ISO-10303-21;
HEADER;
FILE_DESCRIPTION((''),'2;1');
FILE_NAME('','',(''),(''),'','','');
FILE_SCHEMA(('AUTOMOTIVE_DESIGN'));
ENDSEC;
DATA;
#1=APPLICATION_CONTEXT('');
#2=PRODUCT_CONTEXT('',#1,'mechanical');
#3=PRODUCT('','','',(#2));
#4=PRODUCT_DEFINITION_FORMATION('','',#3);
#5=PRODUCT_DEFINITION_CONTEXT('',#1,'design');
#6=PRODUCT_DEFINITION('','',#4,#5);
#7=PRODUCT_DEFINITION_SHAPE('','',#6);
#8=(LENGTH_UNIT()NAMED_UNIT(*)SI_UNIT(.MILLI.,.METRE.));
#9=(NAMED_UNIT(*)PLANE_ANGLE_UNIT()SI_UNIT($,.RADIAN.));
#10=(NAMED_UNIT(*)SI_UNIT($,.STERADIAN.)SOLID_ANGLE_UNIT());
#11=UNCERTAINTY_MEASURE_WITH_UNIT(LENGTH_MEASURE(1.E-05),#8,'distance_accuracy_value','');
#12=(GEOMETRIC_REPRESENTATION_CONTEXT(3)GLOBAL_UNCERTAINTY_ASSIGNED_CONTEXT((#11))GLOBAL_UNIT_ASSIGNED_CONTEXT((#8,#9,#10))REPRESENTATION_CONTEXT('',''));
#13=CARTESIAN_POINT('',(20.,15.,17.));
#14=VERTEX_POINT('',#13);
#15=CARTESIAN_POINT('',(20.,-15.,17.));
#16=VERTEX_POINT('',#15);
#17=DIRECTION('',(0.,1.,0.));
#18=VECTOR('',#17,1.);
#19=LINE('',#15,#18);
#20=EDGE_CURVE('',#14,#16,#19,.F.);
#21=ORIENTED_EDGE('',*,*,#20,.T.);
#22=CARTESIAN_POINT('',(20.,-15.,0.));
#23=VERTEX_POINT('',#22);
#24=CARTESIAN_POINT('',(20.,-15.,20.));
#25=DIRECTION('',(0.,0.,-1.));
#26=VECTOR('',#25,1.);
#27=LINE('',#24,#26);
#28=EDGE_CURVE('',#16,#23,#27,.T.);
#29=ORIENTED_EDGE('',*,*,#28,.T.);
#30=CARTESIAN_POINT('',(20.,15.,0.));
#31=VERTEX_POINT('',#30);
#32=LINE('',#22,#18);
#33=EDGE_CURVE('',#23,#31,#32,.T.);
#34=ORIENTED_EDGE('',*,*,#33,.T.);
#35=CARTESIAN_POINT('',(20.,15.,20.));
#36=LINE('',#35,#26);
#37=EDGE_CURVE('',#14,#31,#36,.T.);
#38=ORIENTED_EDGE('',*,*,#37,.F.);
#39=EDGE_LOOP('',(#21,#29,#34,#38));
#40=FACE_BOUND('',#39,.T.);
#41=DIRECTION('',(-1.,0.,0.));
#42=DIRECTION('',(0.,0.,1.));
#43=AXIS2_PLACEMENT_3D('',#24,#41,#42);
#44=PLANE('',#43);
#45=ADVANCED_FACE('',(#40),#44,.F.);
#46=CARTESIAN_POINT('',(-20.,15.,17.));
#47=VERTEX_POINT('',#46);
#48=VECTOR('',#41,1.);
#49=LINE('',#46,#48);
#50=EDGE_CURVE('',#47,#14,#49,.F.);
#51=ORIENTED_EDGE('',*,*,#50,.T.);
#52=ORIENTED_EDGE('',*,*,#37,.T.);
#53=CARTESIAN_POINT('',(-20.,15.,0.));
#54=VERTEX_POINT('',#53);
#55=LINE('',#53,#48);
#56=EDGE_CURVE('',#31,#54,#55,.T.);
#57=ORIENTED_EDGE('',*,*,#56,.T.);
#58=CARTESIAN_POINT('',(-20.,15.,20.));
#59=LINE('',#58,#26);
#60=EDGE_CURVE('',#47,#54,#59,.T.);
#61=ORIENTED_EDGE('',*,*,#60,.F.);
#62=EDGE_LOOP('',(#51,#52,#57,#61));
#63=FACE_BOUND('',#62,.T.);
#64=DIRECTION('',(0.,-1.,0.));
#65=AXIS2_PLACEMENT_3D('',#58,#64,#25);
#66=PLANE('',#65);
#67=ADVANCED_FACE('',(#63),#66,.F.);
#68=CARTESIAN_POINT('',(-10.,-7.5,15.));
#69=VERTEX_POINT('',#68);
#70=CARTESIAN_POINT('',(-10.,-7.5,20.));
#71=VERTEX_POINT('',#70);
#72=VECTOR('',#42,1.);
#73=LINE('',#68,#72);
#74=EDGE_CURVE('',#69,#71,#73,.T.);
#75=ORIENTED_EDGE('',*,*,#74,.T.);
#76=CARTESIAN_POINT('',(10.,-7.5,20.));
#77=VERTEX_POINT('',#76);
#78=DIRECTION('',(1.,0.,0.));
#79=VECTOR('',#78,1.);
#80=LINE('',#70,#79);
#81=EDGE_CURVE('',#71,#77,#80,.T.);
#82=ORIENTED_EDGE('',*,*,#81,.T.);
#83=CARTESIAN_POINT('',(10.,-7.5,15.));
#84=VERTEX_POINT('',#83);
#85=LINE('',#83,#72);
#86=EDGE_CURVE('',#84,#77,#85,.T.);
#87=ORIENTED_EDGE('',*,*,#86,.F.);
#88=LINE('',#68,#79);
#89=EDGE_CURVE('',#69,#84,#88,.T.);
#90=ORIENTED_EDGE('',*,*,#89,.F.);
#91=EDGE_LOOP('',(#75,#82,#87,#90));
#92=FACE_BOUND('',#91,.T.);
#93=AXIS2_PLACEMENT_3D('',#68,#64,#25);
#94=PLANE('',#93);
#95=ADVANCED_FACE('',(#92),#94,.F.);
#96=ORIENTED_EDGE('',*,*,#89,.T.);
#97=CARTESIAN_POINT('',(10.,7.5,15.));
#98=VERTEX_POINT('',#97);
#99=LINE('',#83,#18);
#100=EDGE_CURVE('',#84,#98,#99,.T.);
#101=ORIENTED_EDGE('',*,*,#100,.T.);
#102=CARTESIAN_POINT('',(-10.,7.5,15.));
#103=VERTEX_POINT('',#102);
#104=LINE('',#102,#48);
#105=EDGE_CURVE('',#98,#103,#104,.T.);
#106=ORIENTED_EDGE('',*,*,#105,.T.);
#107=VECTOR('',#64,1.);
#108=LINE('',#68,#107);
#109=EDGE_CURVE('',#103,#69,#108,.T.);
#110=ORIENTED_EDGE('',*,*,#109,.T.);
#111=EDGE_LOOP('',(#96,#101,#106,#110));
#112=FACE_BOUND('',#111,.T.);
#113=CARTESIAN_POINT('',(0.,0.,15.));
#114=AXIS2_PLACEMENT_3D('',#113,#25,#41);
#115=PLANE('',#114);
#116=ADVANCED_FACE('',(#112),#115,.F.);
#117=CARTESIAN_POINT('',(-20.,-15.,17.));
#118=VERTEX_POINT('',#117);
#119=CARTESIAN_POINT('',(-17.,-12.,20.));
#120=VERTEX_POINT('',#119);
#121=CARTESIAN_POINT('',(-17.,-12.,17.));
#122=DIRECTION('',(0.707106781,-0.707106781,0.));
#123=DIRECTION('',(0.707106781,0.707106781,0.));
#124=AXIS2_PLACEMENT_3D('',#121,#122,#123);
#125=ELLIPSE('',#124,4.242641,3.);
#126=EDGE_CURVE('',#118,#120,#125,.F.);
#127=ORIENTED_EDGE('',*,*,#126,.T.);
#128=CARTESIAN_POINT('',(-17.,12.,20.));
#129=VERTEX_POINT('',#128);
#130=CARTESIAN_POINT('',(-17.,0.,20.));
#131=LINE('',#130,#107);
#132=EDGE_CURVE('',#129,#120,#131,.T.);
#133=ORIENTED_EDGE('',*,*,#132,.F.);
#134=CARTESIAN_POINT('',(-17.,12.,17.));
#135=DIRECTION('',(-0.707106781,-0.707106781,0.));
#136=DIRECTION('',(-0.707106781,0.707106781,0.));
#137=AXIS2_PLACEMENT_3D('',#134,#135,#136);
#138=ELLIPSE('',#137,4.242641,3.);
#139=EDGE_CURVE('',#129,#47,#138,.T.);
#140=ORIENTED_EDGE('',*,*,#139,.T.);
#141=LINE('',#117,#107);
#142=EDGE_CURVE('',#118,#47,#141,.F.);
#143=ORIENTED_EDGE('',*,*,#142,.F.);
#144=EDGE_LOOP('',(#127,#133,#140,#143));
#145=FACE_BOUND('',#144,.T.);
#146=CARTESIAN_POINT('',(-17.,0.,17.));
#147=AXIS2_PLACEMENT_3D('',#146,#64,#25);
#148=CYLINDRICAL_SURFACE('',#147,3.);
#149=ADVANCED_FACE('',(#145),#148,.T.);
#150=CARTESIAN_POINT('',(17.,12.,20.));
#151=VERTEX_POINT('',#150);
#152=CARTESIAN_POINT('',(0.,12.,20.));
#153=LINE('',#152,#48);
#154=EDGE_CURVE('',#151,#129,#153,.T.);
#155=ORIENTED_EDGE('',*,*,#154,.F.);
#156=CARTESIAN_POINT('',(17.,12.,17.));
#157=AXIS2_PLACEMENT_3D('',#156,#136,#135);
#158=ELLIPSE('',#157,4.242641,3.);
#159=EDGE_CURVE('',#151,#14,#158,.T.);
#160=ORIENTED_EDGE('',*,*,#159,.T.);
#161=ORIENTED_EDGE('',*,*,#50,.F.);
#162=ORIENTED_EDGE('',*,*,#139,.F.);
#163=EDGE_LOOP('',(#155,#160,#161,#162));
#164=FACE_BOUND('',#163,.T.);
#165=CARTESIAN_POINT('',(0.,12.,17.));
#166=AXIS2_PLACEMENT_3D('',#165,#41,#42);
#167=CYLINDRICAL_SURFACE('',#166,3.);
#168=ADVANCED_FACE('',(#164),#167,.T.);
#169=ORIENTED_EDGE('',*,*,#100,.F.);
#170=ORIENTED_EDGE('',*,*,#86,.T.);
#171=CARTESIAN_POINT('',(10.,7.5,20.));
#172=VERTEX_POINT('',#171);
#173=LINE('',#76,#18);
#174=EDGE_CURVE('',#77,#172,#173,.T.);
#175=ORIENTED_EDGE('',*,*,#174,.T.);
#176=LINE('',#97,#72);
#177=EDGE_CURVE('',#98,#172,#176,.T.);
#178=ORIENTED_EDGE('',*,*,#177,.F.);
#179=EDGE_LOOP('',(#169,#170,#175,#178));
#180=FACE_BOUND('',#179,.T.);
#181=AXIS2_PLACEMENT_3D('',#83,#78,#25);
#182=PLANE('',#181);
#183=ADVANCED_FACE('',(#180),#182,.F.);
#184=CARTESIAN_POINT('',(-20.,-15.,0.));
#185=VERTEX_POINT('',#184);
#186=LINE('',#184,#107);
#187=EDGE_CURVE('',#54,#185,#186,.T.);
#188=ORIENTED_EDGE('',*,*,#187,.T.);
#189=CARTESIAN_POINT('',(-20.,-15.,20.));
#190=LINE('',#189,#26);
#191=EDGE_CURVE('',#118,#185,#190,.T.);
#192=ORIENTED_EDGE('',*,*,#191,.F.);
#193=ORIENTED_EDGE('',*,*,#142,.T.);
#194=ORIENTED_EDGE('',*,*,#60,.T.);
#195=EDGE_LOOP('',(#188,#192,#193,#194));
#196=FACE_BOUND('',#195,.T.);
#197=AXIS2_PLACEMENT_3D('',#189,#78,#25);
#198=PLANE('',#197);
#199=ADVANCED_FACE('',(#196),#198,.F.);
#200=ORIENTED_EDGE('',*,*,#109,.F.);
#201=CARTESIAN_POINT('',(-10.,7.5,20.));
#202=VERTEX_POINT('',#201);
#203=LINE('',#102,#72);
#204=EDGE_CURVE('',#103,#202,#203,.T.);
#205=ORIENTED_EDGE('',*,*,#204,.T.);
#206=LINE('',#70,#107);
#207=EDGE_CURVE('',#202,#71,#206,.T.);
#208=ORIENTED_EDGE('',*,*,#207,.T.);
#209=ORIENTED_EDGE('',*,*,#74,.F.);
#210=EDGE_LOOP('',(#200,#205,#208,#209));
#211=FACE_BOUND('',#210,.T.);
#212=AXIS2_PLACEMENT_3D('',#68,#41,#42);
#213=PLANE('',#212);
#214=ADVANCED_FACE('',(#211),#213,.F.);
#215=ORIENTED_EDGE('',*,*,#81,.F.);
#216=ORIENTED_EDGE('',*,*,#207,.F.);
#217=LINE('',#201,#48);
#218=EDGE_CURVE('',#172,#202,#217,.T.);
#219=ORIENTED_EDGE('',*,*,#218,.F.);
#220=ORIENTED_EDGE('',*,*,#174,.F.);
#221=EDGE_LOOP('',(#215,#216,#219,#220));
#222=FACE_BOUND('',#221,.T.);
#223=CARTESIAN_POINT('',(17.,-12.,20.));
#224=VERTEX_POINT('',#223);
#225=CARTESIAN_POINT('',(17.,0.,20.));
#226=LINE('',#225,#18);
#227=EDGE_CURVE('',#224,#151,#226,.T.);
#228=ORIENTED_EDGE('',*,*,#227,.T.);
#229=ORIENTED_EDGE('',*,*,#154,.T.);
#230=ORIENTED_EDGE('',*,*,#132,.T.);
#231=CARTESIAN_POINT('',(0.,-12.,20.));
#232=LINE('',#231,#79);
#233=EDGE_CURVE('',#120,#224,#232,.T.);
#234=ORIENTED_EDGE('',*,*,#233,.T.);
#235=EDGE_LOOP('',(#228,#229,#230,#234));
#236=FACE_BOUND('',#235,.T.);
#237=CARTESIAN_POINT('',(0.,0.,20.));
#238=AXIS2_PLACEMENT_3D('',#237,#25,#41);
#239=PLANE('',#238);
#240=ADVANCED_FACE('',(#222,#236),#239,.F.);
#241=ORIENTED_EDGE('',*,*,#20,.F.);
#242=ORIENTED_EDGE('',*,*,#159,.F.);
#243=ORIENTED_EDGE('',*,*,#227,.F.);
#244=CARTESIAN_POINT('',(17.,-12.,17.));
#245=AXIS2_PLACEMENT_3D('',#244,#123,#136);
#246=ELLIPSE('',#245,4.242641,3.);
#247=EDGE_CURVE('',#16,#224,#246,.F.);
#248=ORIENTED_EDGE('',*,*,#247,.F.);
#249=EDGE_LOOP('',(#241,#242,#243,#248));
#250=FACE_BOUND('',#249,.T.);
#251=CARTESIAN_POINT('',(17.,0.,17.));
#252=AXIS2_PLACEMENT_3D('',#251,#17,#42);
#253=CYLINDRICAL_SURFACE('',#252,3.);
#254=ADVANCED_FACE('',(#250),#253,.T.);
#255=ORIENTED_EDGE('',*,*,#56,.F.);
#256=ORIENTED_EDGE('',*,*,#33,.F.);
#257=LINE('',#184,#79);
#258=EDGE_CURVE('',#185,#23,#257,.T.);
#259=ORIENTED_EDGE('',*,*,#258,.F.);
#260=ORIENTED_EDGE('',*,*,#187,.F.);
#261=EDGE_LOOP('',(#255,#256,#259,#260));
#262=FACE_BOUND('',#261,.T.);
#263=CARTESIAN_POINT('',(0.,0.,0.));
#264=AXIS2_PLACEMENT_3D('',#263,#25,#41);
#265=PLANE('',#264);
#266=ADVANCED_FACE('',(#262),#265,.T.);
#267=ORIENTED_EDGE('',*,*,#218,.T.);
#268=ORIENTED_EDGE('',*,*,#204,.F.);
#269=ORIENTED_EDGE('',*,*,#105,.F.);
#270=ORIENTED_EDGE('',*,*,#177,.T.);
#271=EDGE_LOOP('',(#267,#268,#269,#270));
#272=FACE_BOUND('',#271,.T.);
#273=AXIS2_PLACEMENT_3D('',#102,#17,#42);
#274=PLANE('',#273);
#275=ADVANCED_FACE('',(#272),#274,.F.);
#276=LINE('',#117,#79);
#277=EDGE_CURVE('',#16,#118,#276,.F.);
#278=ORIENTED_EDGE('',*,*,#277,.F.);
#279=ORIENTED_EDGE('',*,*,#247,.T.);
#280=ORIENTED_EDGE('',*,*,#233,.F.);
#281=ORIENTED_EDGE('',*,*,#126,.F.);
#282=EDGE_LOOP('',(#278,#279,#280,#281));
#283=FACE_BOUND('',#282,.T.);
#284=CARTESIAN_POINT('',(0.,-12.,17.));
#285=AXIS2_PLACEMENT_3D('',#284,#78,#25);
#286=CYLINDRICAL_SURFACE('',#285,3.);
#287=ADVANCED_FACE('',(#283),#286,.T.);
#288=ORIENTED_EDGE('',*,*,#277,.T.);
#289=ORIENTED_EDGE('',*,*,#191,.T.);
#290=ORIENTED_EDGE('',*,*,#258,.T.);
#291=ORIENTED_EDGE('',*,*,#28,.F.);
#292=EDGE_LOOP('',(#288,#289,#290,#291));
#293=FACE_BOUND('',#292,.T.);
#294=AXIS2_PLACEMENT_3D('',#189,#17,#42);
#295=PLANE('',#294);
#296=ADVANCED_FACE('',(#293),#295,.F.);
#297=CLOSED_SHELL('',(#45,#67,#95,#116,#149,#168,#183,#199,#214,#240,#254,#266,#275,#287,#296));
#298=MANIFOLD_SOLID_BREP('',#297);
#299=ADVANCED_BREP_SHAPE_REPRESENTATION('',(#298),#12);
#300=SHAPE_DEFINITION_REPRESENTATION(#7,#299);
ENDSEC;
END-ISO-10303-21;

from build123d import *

# Parameters (mm, degrees)
SKETCH_1_W      = 40
SKETCH_1_H      = 30
M0_BOSS_DEPTH   = 20
SKETCH_2_W      = 20
SKETCH_2_H      = 15
M0_POCKET_DEPTH = 5
M0_TOPR3_R      = 3


with BuildPart() as part:
    # ｽｹｯﾁ1 → M0_Boss (new body)
    with BuildSketch(Plane.XY):
        Rectangle(SKETCH_1_W, SKETCH_1_H)
    extrude(amount=M0_BOSS_DEPTH)

    # ｽｹｯﾁ2 → M0_Pocket (cut)
    with BuildSketch(Plane.XY.offset(20)):
        Rectangle(SKETCH_2_W, SKETCH_2_H)
    extrude(amount=-M0_POCKET_DEPTH, mode=Mode.SUBTRACT)

    # M0_TopR3
    m0_topr3_edges = [part.edges().sort_by_distance(p)[0] for p in [
        (20, 0, 20),
        (0, 15, 20),
        (-20, 0, 20),
        (0, -15, 20),
    ]]
    fillet(m0_topr3_edges, radius=M0_TOPR3_R)


solid = part.part
